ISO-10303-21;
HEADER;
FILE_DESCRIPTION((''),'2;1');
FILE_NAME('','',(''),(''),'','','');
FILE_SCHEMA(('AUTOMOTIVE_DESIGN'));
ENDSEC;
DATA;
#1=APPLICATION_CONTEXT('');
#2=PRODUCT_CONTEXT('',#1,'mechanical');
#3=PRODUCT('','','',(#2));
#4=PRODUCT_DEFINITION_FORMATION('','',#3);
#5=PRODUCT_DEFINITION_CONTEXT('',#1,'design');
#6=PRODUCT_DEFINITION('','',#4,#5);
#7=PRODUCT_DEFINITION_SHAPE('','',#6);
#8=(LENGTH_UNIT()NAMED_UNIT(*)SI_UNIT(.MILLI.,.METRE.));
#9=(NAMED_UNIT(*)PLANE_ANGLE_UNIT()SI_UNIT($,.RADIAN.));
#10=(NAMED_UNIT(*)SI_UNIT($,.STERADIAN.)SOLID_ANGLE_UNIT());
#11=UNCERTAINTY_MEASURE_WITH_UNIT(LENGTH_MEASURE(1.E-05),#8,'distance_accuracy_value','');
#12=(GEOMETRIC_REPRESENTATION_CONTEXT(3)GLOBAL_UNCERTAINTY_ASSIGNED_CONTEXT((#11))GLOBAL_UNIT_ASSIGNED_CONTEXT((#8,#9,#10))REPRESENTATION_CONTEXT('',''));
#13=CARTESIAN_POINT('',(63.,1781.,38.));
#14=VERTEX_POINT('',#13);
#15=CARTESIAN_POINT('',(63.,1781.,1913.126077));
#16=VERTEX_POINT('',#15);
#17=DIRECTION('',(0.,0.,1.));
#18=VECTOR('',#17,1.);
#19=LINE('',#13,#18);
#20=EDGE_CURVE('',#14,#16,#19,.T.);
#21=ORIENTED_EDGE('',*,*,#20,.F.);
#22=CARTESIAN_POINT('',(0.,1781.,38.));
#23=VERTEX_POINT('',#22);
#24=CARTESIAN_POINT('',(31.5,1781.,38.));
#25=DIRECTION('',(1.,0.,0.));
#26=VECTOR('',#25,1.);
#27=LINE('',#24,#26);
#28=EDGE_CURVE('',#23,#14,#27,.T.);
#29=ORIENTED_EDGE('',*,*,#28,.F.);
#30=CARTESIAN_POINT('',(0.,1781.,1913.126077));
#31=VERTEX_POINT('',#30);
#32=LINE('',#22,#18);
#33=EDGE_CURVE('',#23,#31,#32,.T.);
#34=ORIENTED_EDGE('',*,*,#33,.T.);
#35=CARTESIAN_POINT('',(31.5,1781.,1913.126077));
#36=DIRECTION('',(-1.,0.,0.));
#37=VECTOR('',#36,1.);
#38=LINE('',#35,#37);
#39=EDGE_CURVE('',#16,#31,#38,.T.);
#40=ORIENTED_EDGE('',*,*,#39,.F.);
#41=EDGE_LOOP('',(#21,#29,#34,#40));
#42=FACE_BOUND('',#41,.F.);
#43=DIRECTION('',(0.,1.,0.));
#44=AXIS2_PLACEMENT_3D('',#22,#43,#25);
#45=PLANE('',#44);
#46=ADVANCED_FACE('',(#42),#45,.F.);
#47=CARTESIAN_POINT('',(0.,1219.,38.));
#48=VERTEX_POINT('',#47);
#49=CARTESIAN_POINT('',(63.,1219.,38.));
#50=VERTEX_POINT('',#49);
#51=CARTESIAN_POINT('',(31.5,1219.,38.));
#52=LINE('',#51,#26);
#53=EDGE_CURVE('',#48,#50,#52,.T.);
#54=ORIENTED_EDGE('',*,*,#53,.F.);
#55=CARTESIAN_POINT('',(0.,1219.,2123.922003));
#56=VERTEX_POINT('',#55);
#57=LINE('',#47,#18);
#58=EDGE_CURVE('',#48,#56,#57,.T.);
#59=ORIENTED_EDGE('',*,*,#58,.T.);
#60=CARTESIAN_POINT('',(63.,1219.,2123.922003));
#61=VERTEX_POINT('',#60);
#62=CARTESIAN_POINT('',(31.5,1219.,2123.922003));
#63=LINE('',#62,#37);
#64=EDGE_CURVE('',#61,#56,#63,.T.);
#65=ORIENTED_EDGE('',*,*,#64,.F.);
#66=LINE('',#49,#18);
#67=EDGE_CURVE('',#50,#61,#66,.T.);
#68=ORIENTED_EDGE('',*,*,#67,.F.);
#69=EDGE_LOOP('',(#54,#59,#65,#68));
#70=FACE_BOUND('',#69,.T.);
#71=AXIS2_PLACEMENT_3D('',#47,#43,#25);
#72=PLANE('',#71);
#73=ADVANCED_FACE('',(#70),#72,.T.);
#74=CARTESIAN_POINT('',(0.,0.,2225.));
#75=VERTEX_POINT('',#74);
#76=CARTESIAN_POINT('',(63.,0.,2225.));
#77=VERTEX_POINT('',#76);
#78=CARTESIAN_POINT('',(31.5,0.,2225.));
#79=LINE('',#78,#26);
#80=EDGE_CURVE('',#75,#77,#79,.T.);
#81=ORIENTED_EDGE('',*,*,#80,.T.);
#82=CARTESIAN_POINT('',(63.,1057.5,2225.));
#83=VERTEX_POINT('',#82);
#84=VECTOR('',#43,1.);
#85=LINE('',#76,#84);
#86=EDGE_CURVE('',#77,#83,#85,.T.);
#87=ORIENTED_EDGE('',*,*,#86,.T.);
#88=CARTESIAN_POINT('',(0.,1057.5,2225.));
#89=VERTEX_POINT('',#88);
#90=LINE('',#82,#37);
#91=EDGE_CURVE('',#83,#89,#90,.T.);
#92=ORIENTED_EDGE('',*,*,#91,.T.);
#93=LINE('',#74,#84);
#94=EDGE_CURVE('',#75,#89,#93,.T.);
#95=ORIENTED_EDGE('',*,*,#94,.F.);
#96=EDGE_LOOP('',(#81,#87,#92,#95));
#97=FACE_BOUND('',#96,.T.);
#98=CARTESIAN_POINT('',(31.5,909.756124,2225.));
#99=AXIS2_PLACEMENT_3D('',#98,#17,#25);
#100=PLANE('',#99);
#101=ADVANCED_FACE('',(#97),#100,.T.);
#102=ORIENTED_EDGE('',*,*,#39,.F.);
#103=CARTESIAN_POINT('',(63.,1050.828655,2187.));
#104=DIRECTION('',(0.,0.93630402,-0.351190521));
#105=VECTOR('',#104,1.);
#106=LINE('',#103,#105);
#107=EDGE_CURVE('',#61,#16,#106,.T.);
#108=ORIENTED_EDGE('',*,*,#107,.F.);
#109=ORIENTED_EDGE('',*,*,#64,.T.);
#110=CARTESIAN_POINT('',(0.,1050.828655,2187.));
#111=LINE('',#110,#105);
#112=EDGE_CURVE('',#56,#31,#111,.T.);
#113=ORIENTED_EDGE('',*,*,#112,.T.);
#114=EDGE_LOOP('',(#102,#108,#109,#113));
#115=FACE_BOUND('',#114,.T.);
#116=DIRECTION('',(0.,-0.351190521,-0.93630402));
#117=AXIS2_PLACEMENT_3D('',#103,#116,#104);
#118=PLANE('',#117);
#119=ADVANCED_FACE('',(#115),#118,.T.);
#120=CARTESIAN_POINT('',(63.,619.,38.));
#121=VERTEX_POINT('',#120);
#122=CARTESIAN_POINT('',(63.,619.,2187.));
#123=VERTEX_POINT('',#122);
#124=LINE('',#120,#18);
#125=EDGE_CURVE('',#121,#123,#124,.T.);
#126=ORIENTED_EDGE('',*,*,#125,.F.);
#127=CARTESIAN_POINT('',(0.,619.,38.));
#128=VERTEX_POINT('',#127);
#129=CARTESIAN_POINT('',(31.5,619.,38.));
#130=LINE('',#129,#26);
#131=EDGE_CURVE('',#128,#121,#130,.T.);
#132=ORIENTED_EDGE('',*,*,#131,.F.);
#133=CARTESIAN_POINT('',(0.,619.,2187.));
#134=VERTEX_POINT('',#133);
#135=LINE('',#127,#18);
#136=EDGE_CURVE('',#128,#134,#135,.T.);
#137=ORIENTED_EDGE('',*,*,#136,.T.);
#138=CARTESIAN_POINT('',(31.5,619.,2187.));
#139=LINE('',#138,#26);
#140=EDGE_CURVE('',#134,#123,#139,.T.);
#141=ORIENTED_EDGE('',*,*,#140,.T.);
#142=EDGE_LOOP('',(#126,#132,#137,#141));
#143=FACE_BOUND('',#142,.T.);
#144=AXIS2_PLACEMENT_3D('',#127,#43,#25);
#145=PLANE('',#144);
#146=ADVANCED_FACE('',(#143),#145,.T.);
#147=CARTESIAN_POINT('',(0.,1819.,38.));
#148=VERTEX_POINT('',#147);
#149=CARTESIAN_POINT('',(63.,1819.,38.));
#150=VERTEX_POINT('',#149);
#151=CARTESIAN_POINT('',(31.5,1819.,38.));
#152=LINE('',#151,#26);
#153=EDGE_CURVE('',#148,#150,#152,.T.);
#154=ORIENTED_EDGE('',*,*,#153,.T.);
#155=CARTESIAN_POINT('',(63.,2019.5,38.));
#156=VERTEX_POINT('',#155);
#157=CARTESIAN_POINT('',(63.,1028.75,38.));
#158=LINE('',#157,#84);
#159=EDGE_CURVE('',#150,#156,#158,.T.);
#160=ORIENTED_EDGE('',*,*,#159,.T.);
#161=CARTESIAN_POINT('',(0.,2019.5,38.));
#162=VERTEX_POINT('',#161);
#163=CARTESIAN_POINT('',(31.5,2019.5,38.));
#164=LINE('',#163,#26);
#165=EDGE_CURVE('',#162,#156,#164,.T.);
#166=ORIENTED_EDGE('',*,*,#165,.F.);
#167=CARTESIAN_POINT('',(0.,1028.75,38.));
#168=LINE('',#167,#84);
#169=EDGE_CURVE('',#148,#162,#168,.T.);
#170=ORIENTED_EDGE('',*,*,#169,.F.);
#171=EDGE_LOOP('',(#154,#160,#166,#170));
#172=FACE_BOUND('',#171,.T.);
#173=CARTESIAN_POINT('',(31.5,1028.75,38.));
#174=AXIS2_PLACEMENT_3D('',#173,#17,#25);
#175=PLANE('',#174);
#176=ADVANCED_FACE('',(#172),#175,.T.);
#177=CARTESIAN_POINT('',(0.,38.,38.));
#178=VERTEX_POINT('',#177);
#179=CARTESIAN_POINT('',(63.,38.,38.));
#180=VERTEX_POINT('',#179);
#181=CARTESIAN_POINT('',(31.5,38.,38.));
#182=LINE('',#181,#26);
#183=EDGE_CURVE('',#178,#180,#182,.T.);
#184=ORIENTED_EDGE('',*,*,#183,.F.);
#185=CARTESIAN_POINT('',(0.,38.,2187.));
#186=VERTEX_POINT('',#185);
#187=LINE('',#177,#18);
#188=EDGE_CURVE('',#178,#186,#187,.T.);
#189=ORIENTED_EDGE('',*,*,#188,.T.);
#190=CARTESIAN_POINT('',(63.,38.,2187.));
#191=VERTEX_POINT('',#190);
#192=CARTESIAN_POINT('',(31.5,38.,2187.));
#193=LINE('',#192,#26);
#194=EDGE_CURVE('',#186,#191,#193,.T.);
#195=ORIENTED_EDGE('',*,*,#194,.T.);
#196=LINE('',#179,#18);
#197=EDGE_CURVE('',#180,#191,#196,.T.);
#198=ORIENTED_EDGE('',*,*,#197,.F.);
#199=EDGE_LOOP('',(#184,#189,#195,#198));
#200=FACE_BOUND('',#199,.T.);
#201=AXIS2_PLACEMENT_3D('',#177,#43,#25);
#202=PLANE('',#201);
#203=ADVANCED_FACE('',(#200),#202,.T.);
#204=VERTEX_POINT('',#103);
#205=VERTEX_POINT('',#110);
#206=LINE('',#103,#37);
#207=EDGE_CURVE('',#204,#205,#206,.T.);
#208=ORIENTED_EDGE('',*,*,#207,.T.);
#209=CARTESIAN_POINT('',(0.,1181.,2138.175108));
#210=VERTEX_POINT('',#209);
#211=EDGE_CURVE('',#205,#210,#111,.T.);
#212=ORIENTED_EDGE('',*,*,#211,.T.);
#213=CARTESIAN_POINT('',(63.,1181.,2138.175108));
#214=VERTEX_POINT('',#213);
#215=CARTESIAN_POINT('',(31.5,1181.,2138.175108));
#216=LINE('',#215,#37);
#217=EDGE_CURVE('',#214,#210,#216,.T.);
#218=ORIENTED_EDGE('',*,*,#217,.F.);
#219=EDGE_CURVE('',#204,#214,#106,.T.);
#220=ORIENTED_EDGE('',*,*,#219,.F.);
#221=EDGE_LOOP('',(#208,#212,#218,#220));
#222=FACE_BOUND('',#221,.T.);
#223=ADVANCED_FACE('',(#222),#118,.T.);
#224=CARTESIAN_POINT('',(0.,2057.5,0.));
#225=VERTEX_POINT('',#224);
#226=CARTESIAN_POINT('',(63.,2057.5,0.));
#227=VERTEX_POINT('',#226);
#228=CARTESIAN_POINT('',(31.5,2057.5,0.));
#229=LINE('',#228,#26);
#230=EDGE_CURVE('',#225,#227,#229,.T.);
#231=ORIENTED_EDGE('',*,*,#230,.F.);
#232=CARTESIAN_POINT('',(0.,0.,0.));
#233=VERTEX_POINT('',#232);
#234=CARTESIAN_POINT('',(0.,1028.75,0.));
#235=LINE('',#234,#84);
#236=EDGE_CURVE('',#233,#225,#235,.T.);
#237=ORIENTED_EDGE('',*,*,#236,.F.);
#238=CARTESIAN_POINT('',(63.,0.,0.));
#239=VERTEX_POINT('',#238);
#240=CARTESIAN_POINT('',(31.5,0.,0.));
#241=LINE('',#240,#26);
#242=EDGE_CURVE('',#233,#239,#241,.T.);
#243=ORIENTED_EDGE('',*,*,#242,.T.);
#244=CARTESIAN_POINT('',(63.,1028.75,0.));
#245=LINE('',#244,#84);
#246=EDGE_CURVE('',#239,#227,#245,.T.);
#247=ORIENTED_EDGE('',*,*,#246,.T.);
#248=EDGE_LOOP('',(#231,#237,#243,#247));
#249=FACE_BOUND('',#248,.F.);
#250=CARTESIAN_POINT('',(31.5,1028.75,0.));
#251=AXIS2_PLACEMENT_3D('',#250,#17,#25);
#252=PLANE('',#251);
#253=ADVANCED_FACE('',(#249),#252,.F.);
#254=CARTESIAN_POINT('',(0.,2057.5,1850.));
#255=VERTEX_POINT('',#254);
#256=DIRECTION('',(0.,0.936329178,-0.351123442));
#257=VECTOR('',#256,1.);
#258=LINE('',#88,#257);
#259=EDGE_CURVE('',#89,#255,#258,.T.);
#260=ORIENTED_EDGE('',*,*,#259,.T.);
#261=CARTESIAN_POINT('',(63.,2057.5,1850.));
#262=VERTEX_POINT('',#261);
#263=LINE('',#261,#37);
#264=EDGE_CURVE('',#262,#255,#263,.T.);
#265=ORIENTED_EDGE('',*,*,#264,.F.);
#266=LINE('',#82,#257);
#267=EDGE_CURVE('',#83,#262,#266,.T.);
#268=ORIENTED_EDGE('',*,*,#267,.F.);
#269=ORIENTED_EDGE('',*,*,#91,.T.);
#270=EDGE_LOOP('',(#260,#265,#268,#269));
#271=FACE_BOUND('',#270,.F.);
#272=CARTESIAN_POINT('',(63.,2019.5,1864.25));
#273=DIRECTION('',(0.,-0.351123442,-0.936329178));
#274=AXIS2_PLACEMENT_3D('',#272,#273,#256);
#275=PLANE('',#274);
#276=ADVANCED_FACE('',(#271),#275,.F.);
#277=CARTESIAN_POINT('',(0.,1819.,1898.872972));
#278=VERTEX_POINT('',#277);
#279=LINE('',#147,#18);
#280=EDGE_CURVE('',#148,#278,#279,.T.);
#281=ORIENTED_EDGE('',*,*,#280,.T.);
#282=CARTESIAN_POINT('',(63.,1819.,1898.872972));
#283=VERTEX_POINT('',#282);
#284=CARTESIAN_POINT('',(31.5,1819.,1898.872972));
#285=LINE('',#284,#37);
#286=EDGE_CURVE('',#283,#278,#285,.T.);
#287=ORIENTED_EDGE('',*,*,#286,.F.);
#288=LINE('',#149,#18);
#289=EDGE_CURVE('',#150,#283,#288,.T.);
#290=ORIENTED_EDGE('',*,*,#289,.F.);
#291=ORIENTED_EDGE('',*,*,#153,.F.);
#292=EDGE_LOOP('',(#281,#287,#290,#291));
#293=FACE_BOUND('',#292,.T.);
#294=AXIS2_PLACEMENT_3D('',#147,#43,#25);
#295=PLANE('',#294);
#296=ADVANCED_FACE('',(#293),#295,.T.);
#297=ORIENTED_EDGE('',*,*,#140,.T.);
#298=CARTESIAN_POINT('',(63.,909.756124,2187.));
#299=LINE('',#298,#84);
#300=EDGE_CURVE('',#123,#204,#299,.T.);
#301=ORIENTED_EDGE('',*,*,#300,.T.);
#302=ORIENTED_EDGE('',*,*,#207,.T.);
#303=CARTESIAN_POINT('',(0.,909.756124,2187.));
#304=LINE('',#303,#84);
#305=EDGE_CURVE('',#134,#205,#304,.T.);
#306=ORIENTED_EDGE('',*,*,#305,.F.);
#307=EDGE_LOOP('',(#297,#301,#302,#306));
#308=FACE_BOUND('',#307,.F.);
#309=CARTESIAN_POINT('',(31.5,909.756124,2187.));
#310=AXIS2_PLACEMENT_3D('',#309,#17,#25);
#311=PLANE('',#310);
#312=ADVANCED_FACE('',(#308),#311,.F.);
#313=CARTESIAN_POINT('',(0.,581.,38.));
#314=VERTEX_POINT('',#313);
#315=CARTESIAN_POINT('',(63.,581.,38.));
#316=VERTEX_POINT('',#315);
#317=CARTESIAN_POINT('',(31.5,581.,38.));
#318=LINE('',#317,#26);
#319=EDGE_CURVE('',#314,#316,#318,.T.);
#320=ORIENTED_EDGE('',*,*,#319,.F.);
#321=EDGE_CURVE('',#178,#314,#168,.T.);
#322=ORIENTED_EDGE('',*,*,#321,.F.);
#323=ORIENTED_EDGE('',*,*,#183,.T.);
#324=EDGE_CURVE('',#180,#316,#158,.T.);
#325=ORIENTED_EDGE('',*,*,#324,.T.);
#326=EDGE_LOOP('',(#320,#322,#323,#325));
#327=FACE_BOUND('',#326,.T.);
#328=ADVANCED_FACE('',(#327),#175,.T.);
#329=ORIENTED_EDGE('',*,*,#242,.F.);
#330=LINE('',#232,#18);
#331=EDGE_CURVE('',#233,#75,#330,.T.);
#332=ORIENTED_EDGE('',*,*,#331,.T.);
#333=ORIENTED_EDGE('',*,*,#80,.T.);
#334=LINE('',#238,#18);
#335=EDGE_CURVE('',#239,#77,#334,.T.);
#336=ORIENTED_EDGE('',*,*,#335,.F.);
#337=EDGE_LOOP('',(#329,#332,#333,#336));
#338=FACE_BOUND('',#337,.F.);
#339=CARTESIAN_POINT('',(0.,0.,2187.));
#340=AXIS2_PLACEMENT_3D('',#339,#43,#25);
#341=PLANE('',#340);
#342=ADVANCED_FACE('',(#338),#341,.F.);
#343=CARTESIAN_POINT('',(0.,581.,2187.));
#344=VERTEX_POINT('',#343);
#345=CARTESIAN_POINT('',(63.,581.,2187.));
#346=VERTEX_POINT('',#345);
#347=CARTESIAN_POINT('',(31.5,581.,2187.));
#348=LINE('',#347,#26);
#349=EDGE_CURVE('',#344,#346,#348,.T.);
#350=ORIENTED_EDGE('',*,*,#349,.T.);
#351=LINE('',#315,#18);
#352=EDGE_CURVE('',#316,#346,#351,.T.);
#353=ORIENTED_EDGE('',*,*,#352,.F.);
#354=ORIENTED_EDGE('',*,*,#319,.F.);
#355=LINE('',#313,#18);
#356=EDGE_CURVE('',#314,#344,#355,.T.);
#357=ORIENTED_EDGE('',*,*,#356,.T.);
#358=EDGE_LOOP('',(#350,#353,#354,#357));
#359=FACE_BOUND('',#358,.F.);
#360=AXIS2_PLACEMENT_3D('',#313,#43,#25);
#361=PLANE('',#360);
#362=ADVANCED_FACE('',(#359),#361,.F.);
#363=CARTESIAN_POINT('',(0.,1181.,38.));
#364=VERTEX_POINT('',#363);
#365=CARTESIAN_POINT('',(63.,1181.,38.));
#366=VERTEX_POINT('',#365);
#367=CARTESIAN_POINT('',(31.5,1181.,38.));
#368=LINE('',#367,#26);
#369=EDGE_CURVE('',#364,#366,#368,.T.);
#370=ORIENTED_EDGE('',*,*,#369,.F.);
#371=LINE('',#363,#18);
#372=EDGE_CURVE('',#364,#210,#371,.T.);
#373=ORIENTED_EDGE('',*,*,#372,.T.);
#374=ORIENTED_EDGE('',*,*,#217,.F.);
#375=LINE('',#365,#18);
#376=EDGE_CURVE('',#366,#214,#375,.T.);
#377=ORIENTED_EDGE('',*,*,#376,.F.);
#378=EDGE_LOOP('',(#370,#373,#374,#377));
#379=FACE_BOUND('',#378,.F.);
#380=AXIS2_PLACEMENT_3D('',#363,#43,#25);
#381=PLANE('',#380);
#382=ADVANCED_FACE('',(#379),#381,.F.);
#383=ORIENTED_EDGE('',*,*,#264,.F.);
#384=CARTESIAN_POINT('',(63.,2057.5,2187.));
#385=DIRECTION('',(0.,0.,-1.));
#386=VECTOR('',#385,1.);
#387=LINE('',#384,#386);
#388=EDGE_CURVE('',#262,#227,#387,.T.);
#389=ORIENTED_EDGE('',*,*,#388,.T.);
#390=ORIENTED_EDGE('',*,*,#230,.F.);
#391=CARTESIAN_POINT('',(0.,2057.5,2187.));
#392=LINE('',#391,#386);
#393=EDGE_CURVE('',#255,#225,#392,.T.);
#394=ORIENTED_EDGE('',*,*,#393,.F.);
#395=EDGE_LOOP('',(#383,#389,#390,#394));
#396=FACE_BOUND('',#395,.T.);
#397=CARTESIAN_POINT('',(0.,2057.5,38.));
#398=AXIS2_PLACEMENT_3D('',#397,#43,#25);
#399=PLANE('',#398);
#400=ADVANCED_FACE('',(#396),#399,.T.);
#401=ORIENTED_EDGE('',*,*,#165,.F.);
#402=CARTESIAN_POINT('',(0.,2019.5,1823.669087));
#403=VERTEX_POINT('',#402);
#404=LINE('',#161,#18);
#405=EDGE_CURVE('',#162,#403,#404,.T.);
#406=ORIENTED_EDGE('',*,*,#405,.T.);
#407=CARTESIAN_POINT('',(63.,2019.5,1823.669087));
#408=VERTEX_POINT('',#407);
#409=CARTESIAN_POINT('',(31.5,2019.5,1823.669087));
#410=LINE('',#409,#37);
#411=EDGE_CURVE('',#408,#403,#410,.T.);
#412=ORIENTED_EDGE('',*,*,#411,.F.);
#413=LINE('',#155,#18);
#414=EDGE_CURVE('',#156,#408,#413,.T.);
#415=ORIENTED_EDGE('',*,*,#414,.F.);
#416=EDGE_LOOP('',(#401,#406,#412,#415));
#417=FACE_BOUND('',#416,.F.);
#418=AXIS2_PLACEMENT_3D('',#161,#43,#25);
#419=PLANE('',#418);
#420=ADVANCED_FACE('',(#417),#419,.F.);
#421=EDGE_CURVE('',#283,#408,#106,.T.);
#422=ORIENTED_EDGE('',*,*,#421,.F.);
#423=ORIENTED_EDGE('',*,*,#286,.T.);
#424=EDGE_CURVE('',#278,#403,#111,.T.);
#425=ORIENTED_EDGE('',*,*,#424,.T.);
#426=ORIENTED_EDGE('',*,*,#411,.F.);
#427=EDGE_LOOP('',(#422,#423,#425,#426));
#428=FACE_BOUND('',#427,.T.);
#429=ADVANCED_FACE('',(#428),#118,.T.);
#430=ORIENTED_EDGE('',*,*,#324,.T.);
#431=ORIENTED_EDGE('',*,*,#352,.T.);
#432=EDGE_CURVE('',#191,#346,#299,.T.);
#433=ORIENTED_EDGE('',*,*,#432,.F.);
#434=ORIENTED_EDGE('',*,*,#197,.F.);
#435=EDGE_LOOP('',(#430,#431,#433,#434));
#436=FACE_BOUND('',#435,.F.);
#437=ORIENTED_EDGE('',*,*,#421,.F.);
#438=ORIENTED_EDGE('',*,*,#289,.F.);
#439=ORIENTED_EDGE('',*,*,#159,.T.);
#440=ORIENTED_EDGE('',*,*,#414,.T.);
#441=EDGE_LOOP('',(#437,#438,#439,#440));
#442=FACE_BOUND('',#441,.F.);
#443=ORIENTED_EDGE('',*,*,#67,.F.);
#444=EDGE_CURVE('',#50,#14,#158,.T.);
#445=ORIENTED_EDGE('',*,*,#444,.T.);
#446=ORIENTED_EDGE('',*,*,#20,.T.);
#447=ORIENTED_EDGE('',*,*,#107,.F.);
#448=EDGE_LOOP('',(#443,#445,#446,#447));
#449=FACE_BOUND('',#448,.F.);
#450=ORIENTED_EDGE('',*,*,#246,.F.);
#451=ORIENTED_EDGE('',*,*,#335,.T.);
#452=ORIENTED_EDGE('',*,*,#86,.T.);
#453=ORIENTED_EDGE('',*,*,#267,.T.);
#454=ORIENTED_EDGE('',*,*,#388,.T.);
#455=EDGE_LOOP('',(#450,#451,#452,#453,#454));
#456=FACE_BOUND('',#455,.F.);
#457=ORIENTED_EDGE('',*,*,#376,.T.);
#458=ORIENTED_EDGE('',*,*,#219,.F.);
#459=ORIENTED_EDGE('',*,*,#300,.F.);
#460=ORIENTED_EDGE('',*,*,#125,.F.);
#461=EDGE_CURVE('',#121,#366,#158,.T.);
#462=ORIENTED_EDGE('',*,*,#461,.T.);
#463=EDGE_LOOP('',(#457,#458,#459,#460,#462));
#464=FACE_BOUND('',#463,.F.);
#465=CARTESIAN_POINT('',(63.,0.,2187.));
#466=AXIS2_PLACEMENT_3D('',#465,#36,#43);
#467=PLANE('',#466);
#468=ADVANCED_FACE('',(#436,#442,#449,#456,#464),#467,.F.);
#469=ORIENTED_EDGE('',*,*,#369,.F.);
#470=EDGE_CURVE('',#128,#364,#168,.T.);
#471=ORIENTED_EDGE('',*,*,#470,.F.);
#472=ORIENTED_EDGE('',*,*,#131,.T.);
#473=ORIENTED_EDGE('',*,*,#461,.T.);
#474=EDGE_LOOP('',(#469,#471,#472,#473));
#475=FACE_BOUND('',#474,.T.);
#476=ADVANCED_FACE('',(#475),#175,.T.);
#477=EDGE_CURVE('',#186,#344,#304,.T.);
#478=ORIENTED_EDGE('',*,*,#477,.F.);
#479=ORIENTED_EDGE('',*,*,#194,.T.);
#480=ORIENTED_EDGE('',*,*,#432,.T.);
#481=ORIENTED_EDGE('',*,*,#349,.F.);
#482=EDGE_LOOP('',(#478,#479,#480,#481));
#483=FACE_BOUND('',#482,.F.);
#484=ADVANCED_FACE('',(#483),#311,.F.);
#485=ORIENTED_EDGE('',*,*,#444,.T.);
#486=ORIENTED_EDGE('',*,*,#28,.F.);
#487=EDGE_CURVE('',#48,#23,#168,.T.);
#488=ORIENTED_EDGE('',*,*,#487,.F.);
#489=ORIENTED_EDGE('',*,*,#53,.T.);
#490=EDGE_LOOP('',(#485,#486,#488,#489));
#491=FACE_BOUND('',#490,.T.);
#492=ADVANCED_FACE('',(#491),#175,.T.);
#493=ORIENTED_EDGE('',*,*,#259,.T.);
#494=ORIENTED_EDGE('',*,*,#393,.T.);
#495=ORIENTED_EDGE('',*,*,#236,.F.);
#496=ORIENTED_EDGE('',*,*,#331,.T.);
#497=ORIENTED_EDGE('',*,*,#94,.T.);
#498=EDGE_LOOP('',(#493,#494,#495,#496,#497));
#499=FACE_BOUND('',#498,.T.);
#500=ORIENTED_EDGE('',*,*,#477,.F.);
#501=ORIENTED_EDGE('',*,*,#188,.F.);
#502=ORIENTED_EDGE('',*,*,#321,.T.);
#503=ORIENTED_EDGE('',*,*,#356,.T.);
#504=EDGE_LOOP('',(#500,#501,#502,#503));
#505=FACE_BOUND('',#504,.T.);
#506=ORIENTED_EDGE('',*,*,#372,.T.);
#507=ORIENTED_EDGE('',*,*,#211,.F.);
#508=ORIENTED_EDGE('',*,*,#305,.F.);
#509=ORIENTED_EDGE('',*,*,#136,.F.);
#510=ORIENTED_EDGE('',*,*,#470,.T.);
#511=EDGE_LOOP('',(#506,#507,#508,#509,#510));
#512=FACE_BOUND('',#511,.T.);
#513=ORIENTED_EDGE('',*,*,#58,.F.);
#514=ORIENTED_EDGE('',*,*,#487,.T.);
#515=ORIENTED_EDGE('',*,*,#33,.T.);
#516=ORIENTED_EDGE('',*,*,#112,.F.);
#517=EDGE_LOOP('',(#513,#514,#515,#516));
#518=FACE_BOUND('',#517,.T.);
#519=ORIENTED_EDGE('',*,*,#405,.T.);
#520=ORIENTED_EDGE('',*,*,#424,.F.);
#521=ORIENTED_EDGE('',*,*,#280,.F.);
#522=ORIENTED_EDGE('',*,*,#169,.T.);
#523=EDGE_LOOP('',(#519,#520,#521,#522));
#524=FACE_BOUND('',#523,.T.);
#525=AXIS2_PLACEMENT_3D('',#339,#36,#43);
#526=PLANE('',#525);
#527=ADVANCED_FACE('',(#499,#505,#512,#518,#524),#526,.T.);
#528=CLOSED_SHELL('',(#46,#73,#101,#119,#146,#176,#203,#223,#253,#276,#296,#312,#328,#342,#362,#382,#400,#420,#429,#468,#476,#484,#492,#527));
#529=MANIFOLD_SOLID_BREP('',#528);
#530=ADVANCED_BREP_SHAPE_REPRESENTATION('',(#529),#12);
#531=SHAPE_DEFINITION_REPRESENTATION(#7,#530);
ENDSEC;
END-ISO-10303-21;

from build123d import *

# Parameters (mm, degrees)
F0_W      = 63
F0_H      = 2057.5
F1_DEPTH  = 38
F2_W      = 63
F2_H      = 38
F3_DEPTH  = 2149
F4_W      = 63
F4_H      = 38
F5_DEPTH  = 2149
F6_W      = 63
F6_H      = 38
F7_DEPTH  = 2149
F8_W      = 63
F8_H      = 38
F9_DEPTH  = 2149
F10_W     = 63
F10_H     = 38
F11_DEPTH = 2149
F12_W     = 63
F12_H     = 1819.5122480392
F13_DEPTH = 38
F15_DEPTH = 63
F17_DEPTH = 63


with BuildPart() as f1:
    # F0 (on Top) → F1 (new body)
    with BuildSketch(Plane.XY):
        with Locations((31.5, 1028.75)):
            Rectangle(F0_W, F0_H)
    extrude(amount=F1_DEPTH)

    # F2 (on face) → F3 (join)
    with BuildSketch(Plane.XY.offset(38)):
        with Locations((31.5, 19)):
            Rectangle(F2_W, F2_H)
    extrude(amount=F3_DEPTH)

    # F4 (on face) → F5 (join)
    with BuildSketch(Plane.XY.offset(38)):
        with Locations((31.5, 600)):
            Rectangle(F4_W, F4_H)
    extrude(amount=F5_DEPTH)

    # F6 (on face) → F7 (join)
    with BuildSketch(Plane.XY.offset(38)):
        with Locations((31.5, 1200)):
            Rectangle(F6_W, F6_H)
    extrude(amount=F7_DEPTH)

    # F8 (on face) → F9 (join)
    with BuildSketch(Plane.XY.offset(38)):
        with Locations((31.5, 1800)):
            Rectangle(F8_W, F8_H)
    extrude(amount=F9_DEPTH)

    # F10 (on face) → F11 (join)
    with BuildSketch(Plane.XY.offset(38)):
        with Locations((31.5, 2038.5)):
            Rectangle(F10_W, F10_H)
    extrude(amount=F11_DEPTH)

    # F12 (on face) → F13 (join)
    with BuildSketch(Plane.XY.offset(2187)):
        with Locations((31.5, 909.7561240196)):
            Rectangle(F12_W, F12_H)
    extrude(amount=F13_DEPTH)

    # F14 (on face) → F15 (join)
    with BuildSketch(Plane.YZ.offset(63)):
        Polygon((1158.8333333333, 2187), (1057.5, 2225), (1050.8286546098, 2187), align=None)
        Polygon((2057.5, 1850), (1158.8333333333, 2187), (1050.8286546098, 2187), (2057.5, 1809.4159822097), align=None)
    extrude(amount=-F15_DEPTH)

    # F16 (on face) → F17 (cut)
    with BuildSketch(Plane.YZ.offset(63)):
        Polygon((1781, 2187), (1781, 1953.6875), (1819, 1939.4375), (1819, 2187), (1819.5122480392, 2187), (1819.5122480392, 2225), (1057.5, 2225), (1158.8333333333, 2187), (1181, 2187), (1181, 2178.6875), (1219, 2164.4375), (1219, 2187), align=None)
        Polygon((2019.5, 2187), (2019.5, 1864.25), (2057.5, 1850), (2057.5, 2187), align=None)
    extrude(amount=-F17_DEPTH, mode=Mode.SUBTRACT)


solid = f1.part
